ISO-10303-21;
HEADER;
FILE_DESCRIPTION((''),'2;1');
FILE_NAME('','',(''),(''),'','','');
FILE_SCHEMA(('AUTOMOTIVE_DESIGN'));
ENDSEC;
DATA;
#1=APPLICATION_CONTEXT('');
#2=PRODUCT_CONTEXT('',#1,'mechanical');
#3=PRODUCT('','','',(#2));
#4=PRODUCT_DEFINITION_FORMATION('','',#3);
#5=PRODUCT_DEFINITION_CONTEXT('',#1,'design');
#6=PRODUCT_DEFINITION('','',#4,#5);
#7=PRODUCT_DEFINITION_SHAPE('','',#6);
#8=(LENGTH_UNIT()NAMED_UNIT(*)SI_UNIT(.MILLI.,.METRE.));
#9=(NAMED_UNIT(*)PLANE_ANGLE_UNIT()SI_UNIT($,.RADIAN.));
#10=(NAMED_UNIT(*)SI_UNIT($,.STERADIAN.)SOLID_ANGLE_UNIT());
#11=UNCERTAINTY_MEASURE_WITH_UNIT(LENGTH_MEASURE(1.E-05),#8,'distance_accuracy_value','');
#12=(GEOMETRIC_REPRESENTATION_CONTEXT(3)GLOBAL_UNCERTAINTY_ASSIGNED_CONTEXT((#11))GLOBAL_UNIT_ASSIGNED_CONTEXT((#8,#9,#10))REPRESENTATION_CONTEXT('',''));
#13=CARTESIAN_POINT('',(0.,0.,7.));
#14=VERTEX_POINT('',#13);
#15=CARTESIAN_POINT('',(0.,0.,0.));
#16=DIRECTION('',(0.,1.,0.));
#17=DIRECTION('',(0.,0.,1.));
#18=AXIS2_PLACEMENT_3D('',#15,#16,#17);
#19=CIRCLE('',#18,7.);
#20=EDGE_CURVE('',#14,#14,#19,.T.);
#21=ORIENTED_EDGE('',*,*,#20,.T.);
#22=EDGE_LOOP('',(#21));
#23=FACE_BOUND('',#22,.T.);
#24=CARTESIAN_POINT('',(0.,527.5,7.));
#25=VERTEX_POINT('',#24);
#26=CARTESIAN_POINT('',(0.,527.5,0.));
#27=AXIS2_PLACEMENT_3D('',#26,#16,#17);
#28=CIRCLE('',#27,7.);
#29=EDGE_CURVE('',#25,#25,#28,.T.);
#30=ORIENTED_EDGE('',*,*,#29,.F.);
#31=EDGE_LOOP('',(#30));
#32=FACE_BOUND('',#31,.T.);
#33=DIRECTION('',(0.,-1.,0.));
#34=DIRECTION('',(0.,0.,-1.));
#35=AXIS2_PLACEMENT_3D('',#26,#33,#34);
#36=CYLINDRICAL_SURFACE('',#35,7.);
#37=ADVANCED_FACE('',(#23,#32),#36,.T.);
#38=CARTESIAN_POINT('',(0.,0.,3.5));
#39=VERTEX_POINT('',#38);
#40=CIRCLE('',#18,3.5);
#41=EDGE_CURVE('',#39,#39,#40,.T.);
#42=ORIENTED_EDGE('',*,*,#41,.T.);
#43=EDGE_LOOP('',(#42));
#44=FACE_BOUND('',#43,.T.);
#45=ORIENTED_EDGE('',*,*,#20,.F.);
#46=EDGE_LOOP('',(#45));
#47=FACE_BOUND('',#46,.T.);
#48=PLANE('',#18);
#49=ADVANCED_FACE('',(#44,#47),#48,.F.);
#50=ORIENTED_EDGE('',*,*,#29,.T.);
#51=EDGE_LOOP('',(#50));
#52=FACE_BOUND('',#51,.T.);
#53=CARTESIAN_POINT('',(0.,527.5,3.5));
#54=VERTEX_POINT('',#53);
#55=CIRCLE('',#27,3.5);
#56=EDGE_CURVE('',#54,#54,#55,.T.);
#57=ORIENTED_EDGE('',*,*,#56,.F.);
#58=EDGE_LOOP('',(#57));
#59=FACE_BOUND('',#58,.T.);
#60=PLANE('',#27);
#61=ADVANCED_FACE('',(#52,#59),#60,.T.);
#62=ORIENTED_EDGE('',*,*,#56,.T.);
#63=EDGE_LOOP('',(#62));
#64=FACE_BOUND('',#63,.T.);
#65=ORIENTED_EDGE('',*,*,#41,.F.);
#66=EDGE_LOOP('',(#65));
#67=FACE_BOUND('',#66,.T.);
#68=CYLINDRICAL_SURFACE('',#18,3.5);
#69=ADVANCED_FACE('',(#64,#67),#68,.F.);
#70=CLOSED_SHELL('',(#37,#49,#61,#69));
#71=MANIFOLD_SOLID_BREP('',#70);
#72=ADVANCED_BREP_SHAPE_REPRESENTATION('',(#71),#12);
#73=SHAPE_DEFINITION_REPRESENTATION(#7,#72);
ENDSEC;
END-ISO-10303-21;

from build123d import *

# Parameters (mm, degrees)
SKETCH1_R           = 7
BOSS_EXTRUDE1_DEPTH = 527.5
SKETCH2_R           = 3.5
CUT_EXTRUDE1_DEPTH  = 528.592882818


with BuildPart() as part:
    # Sketch1 → Boss-Extrude1 (new body)
    with BuildSketch(Plane(origin=(0, 0, 0), x_dir=(1, 0, 0), z_dir=(0, 1, 0))):
        with Locations(Location((0, 0, 0), (0, 0, 270))):
            Circle(SKETCH1_R)
    extrude(amount=BOSS_EXTRUDE1_DEPTH)

    # Sketch2 → Cut-Extrude1 (cut, through all)
    with BuildSketch(Plane(origin=(0, 527.5, 0), x_dir=(1, 0, 0), z_dir=(0, 1, 0))):
        with Locations(Location((0, 0, 0), (0, 0, 270))):
            Circle(SKETCH2_R)
    extrude(amount=-CUT_EXTRUDE1_DEPTH, mode=Mode.SUBTRACT)


solid = part.part
